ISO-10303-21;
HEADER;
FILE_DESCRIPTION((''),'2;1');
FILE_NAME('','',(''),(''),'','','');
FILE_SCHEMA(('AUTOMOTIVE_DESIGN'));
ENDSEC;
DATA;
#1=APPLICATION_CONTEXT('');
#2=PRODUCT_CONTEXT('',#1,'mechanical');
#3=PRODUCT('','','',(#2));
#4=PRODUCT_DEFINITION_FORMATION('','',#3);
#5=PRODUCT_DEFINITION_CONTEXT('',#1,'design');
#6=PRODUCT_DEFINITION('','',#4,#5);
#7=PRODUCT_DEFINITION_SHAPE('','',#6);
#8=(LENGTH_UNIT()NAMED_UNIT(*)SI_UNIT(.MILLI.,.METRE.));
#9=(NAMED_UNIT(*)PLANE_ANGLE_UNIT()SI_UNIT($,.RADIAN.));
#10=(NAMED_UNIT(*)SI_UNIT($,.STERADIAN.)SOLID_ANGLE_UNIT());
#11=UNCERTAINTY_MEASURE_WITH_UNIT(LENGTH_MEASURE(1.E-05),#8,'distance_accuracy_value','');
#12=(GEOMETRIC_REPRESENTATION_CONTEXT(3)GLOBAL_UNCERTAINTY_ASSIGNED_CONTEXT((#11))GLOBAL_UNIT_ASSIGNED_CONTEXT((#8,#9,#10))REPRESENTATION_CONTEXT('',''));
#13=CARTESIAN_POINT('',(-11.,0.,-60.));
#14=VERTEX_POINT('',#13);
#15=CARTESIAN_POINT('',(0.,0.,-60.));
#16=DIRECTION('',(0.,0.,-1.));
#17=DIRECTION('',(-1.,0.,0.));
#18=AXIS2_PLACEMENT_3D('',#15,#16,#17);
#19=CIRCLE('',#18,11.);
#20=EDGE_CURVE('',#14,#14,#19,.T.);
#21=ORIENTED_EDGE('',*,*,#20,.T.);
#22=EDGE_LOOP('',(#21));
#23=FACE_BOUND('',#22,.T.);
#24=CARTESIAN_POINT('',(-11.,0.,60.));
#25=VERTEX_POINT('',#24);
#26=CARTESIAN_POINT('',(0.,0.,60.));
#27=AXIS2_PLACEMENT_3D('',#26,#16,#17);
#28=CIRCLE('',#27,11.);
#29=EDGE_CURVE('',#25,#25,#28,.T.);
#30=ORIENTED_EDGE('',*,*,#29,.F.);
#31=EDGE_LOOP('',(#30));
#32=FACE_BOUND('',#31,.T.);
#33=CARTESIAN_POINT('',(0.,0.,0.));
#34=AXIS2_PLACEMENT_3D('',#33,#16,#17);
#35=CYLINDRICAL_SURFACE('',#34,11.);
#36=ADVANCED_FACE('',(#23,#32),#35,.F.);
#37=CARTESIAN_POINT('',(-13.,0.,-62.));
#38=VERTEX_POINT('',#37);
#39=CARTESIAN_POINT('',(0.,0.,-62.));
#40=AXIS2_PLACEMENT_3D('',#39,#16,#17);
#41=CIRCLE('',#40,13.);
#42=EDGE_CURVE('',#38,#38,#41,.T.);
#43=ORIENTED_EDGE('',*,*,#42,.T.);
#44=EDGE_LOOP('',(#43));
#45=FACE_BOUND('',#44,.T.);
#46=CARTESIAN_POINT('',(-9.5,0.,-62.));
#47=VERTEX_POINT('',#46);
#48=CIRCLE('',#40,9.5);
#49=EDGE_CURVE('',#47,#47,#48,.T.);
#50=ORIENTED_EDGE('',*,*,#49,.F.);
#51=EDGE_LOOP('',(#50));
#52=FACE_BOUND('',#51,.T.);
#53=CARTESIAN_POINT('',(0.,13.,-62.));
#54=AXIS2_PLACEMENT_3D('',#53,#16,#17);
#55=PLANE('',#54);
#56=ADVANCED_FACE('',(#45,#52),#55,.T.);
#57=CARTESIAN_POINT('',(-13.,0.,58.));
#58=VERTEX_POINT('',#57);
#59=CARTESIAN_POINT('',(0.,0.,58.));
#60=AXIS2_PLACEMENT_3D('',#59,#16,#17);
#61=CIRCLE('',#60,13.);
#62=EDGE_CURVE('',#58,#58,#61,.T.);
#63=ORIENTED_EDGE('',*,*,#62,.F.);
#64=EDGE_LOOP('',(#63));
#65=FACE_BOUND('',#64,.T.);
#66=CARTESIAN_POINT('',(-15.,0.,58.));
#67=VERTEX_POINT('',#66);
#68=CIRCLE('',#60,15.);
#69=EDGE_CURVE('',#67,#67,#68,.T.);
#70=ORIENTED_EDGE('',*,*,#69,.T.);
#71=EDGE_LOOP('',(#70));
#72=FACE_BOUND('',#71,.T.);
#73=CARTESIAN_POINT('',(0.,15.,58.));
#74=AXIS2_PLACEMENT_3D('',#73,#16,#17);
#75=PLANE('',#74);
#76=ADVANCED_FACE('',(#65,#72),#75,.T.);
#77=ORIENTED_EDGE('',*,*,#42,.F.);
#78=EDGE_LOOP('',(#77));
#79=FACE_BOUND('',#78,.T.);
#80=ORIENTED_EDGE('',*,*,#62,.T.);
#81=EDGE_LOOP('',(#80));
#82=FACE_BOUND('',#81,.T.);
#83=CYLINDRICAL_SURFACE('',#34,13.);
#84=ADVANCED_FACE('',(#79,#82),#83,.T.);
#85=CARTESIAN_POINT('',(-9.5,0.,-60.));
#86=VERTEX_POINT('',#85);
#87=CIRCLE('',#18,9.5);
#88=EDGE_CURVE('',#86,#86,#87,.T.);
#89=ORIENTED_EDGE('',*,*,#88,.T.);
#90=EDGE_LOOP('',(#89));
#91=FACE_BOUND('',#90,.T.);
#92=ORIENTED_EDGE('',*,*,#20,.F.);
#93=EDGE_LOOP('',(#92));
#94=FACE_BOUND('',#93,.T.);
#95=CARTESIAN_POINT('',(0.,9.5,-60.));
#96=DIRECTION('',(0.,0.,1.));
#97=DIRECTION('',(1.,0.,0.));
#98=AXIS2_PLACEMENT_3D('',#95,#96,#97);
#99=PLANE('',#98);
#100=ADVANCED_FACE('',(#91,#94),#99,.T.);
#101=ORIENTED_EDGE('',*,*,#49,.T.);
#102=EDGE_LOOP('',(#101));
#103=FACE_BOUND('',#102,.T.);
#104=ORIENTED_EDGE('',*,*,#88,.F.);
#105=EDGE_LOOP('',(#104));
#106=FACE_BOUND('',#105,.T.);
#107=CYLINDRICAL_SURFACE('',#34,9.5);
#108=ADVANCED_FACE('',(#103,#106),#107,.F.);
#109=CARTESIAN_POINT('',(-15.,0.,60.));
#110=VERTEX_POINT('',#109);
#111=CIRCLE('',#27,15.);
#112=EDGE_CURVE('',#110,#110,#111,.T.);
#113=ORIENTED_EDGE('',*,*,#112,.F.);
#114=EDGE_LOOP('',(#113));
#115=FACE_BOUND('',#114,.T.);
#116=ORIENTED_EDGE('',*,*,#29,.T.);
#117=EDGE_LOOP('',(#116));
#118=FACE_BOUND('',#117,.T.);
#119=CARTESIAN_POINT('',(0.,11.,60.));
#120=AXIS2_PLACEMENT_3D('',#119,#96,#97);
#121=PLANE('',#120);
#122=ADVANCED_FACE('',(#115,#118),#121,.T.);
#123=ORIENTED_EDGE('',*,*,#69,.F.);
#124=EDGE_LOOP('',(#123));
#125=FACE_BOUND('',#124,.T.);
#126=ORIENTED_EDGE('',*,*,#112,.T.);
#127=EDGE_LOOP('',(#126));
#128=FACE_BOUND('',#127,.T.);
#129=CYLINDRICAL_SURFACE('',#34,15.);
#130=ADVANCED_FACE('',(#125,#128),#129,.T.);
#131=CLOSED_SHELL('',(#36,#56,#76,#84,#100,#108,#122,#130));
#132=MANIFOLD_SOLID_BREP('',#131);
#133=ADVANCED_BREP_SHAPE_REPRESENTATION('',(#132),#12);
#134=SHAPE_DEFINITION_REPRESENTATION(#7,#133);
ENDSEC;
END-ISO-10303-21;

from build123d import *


with BuildPart() as part:
    # Croquis1 → Revolución1 (revolve)
    with BuildSketch(Plane.YZ, mode=Mode.PRIVATE) as revoluci_n1_sk:
        Polygon((11, -60), (11, 60), (15, 60), (15, 58), (13, 58), (13, -62), (9.5, -62), (9.5, -60), align=None)
    revolve(revoluci_n1_sk.sketch.rotate(Axis((0, 0, 0), (0, 0, 1)), 90), axis=Axis((0, 0, 0), (0, 0, 1)))


solid = part.part
